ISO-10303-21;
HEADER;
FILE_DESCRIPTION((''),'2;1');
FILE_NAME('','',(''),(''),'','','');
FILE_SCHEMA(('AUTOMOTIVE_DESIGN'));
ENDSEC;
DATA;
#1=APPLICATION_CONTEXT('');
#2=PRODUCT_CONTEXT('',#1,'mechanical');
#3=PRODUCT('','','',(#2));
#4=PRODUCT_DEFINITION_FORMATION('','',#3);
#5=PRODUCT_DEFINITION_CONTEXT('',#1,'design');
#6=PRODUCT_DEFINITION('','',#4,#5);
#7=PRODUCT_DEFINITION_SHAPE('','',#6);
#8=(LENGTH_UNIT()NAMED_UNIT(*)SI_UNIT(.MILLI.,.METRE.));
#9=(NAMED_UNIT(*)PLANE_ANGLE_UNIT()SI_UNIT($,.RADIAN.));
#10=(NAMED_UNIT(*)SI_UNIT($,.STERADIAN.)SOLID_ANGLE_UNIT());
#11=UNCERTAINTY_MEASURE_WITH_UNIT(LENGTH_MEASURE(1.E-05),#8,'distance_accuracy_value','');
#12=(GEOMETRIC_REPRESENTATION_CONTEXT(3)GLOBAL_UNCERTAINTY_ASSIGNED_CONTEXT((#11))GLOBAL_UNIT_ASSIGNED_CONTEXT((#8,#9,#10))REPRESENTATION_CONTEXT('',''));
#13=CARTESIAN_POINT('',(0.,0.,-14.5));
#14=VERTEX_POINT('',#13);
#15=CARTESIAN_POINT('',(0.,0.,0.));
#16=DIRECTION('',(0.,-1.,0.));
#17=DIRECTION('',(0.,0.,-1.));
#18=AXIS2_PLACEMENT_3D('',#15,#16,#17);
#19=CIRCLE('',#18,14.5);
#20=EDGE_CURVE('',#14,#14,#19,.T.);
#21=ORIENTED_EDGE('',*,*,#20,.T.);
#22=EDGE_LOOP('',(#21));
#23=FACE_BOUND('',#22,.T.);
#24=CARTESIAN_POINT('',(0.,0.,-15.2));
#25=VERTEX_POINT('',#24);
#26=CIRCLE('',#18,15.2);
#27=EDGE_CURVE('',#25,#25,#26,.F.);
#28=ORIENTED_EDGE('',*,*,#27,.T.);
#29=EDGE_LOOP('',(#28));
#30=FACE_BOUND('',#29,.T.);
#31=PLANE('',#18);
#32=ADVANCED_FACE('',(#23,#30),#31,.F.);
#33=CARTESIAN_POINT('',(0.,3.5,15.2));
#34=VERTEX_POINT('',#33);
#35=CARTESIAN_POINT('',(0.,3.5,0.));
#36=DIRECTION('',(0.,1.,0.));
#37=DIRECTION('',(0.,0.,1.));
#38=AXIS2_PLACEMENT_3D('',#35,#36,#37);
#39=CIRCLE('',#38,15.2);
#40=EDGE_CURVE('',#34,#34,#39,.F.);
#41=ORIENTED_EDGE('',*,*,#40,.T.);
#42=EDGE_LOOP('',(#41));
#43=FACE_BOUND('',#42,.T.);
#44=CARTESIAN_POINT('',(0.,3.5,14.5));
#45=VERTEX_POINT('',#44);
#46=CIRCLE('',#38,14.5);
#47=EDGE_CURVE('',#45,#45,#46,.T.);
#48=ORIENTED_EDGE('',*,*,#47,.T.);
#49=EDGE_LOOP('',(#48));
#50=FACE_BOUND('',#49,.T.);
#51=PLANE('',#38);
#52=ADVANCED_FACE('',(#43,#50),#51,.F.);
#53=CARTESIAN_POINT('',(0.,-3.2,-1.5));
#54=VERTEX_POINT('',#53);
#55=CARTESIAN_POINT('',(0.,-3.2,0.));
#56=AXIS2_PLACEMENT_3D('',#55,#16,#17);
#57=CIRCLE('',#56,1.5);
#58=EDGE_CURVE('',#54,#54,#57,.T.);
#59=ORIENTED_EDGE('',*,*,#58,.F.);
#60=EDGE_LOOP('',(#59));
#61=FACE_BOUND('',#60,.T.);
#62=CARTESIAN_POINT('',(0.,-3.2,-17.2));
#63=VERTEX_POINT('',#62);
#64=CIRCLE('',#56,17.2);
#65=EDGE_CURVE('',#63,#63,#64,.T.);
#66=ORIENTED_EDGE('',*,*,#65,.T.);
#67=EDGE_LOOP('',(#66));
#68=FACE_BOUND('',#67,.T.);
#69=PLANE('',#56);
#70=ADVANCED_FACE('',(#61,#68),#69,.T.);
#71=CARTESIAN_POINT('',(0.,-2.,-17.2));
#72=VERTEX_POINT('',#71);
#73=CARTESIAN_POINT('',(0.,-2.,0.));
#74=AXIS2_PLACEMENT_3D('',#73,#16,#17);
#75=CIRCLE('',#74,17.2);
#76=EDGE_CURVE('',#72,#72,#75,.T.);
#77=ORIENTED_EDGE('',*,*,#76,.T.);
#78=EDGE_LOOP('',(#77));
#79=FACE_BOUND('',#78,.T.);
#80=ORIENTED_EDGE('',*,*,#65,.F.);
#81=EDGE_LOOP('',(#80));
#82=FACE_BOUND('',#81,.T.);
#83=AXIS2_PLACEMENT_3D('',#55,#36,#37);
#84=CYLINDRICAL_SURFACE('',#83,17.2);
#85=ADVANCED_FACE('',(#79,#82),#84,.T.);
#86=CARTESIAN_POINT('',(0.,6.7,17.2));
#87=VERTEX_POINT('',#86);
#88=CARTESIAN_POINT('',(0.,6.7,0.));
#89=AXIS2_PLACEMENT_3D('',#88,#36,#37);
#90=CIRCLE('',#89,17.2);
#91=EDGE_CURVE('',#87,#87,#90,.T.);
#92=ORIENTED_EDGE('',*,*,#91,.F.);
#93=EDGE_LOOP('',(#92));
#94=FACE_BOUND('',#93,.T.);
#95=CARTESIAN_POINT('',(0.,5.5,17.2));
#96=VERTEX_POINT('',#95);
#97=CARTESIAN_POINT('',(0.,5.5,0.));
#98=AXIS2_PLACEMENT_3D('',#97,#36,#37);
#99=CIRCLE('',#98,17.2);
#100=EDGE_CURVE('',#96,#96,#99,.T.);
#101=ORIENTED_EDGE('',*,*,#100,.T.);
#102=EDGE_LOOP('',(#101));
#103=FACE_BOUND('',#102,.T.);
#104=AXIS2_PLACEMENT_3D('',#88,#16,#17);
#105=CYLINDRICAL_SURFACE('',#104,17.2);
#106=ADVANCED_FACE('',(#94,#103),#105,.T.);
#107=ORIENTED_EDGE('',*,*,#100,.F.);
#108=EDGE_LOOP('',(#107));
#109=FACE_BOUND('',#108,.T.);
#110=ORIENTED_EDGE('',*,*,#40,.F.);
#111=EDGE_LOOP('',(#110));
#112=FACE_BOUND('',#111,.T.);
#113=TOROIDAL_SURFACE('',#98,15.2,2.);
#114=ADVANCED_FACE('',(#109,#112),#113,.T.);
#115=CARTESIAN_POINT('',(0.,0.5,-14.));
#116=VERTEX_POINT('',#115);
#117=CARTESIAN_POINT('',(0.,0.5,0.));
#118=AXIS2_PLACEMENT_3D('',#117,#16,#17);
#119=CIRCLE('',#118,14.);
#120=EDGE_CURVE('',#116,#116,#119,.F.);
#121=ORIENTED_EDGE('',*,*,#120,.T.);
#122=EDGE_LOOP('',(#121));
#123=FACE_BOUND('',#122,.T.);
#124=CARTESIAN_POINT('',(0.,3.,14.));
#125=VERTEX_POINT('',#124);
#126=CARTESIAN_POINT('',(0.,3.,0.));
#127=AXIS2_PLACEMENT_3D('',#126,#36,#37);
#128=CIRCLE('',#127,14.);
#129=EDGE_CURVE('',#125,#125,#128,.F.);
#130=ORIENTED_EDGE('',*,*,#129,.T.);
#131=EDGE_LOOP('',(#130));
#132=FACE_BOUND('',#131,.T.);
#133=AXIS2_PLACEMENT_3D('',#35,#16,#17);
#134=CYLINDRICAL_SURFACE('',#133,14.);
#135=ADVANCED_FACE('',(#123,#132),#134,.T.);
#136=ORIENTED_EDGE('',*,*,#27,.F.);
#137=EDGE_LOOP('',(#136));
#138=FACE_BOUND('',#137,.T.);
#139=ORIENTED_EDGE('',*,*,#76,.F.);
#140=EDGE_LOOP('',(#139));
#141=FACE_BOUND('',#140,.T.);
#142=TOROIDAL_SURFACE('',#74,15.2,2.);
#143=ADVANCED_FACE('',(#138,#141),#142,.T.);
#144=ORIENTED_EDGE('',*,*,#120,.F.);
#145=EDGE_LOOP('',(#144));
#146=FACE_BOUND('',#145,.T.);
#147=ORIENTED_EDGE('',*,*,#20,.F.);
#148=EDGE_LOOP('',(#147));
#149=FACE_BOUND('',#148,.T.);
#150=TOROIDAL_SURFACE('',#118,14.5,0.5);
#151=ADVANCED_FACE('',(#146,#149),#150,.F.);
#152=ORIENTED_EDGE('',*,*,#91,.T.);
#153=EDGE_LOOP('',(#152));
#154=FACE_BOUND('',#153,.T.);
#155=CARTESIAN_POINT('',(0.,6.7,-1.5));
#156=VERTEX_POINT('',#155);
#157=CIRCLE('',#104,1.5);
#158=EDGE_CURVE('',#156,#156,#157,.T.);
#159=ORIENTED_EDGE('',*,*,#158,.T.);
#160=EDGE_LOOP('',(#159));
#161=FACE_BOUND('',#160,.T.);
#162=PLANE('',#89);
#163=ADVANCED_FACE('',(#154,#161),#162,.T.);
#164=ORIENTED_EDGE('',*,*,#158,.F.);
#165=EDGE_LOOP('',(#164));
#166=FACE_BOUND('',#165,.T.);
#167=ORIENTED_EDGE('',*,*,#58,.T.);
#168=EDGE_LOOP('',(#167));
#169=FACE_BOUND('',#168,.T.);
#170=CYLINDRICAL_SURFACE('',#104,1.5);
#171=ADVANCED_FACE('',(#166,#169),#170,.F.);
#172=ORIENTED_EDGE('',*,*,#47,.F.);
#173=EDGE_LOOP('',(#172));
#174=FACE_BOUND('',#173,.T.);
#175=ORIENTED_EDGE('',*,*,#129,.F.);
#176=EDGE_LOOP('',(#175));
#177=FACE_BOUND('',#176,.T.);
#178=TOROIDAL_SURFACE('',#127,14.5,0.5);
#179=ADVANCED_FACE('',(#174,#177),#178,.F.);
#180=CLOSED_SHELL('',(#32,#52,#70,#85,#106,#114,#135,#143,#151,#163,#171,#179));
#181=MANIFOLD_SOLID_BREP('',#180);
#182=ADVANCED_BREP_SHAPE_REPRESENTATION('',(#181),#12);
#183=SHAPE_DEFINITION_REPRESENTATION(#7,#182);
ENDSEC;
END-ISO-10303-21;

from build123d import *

# Parameters (mm, degrees)
CROQUIS1_R              = 14
SALIENTE_EXTRUIR1_DEPTH = 3.5
CROQUIS2_R              = 17.2
SALIENTE_EXTRUIR2_DEPTH = 3.2
CROQUIS3_R              = 17.2
SALIENTE_EXTRUIR3_DEPTH = 3.2
CROQUIS4_R              = 1.5
CORTAR_EXTRUIR1_DEPTH   = 10.9
REDONDEO1_R             = 2
REDONDEO2_R             = 0.5


with BuildPart() as part:
    # Croquis1 → Saliente-Extruir1 (new body)
    with BuildSketch(Plane(origin=(0, 0, 0), x_dir=(1, 0, 0), z_dir=(0, 1, 0))):
        Circle(CROQUIS1_R)
    extrude(amount=SALIENTE_EXTRUIR1_DEPTH)

    # Croquis2 → Saliente-Extruir2 (add)
    with BuildSketch(Plane(origin=(0, 3.5, 0), x_dir=(1, 0, 0), z_dir=(0, 1, 0))):
        Circle(CROQUIS2_R)
    extrude(amount=SALIENTE_EXTRUIR2_DEPTH)

    # Croquis3 → Saliente-Extruir3 (add)
    with BuildSketch(Plane.XZ):
        Circle(CROQUIS3_R)
    extrude(amount=SALIENTE_EXTRUIR3_DEPTH)

    # Croquis4 → Cortar-Extruir1 (cut, through all)
    with BuildSketch(Plane.XZ.offset(3.2)):
        Circle(CROQUIS4_R)
    extrude(amount=-CORTAR_EXTRUIR1_DEPTH, mode=Mode.SUBTRACT)

    # Redondeo1
    redondeo1_edges = [part.edges().sort_by_distance(p)[0] for p in [
        (-17.2, 0, 0),
        (-17.2, 3.5, 0),
    ]]
    fillet(redondeo1_edges, radius=REDONDEO1_R)

    # Redondeo2
    redondeo2_edges = [part.edges().sort_by_distance(p)[0] for p in [
        (-14, 0, 0),
        (-14, 3.5, 0),
    ]]
    fillet(redondeo2_edges, radius=REDONDEO2_R)


solid = part.part
